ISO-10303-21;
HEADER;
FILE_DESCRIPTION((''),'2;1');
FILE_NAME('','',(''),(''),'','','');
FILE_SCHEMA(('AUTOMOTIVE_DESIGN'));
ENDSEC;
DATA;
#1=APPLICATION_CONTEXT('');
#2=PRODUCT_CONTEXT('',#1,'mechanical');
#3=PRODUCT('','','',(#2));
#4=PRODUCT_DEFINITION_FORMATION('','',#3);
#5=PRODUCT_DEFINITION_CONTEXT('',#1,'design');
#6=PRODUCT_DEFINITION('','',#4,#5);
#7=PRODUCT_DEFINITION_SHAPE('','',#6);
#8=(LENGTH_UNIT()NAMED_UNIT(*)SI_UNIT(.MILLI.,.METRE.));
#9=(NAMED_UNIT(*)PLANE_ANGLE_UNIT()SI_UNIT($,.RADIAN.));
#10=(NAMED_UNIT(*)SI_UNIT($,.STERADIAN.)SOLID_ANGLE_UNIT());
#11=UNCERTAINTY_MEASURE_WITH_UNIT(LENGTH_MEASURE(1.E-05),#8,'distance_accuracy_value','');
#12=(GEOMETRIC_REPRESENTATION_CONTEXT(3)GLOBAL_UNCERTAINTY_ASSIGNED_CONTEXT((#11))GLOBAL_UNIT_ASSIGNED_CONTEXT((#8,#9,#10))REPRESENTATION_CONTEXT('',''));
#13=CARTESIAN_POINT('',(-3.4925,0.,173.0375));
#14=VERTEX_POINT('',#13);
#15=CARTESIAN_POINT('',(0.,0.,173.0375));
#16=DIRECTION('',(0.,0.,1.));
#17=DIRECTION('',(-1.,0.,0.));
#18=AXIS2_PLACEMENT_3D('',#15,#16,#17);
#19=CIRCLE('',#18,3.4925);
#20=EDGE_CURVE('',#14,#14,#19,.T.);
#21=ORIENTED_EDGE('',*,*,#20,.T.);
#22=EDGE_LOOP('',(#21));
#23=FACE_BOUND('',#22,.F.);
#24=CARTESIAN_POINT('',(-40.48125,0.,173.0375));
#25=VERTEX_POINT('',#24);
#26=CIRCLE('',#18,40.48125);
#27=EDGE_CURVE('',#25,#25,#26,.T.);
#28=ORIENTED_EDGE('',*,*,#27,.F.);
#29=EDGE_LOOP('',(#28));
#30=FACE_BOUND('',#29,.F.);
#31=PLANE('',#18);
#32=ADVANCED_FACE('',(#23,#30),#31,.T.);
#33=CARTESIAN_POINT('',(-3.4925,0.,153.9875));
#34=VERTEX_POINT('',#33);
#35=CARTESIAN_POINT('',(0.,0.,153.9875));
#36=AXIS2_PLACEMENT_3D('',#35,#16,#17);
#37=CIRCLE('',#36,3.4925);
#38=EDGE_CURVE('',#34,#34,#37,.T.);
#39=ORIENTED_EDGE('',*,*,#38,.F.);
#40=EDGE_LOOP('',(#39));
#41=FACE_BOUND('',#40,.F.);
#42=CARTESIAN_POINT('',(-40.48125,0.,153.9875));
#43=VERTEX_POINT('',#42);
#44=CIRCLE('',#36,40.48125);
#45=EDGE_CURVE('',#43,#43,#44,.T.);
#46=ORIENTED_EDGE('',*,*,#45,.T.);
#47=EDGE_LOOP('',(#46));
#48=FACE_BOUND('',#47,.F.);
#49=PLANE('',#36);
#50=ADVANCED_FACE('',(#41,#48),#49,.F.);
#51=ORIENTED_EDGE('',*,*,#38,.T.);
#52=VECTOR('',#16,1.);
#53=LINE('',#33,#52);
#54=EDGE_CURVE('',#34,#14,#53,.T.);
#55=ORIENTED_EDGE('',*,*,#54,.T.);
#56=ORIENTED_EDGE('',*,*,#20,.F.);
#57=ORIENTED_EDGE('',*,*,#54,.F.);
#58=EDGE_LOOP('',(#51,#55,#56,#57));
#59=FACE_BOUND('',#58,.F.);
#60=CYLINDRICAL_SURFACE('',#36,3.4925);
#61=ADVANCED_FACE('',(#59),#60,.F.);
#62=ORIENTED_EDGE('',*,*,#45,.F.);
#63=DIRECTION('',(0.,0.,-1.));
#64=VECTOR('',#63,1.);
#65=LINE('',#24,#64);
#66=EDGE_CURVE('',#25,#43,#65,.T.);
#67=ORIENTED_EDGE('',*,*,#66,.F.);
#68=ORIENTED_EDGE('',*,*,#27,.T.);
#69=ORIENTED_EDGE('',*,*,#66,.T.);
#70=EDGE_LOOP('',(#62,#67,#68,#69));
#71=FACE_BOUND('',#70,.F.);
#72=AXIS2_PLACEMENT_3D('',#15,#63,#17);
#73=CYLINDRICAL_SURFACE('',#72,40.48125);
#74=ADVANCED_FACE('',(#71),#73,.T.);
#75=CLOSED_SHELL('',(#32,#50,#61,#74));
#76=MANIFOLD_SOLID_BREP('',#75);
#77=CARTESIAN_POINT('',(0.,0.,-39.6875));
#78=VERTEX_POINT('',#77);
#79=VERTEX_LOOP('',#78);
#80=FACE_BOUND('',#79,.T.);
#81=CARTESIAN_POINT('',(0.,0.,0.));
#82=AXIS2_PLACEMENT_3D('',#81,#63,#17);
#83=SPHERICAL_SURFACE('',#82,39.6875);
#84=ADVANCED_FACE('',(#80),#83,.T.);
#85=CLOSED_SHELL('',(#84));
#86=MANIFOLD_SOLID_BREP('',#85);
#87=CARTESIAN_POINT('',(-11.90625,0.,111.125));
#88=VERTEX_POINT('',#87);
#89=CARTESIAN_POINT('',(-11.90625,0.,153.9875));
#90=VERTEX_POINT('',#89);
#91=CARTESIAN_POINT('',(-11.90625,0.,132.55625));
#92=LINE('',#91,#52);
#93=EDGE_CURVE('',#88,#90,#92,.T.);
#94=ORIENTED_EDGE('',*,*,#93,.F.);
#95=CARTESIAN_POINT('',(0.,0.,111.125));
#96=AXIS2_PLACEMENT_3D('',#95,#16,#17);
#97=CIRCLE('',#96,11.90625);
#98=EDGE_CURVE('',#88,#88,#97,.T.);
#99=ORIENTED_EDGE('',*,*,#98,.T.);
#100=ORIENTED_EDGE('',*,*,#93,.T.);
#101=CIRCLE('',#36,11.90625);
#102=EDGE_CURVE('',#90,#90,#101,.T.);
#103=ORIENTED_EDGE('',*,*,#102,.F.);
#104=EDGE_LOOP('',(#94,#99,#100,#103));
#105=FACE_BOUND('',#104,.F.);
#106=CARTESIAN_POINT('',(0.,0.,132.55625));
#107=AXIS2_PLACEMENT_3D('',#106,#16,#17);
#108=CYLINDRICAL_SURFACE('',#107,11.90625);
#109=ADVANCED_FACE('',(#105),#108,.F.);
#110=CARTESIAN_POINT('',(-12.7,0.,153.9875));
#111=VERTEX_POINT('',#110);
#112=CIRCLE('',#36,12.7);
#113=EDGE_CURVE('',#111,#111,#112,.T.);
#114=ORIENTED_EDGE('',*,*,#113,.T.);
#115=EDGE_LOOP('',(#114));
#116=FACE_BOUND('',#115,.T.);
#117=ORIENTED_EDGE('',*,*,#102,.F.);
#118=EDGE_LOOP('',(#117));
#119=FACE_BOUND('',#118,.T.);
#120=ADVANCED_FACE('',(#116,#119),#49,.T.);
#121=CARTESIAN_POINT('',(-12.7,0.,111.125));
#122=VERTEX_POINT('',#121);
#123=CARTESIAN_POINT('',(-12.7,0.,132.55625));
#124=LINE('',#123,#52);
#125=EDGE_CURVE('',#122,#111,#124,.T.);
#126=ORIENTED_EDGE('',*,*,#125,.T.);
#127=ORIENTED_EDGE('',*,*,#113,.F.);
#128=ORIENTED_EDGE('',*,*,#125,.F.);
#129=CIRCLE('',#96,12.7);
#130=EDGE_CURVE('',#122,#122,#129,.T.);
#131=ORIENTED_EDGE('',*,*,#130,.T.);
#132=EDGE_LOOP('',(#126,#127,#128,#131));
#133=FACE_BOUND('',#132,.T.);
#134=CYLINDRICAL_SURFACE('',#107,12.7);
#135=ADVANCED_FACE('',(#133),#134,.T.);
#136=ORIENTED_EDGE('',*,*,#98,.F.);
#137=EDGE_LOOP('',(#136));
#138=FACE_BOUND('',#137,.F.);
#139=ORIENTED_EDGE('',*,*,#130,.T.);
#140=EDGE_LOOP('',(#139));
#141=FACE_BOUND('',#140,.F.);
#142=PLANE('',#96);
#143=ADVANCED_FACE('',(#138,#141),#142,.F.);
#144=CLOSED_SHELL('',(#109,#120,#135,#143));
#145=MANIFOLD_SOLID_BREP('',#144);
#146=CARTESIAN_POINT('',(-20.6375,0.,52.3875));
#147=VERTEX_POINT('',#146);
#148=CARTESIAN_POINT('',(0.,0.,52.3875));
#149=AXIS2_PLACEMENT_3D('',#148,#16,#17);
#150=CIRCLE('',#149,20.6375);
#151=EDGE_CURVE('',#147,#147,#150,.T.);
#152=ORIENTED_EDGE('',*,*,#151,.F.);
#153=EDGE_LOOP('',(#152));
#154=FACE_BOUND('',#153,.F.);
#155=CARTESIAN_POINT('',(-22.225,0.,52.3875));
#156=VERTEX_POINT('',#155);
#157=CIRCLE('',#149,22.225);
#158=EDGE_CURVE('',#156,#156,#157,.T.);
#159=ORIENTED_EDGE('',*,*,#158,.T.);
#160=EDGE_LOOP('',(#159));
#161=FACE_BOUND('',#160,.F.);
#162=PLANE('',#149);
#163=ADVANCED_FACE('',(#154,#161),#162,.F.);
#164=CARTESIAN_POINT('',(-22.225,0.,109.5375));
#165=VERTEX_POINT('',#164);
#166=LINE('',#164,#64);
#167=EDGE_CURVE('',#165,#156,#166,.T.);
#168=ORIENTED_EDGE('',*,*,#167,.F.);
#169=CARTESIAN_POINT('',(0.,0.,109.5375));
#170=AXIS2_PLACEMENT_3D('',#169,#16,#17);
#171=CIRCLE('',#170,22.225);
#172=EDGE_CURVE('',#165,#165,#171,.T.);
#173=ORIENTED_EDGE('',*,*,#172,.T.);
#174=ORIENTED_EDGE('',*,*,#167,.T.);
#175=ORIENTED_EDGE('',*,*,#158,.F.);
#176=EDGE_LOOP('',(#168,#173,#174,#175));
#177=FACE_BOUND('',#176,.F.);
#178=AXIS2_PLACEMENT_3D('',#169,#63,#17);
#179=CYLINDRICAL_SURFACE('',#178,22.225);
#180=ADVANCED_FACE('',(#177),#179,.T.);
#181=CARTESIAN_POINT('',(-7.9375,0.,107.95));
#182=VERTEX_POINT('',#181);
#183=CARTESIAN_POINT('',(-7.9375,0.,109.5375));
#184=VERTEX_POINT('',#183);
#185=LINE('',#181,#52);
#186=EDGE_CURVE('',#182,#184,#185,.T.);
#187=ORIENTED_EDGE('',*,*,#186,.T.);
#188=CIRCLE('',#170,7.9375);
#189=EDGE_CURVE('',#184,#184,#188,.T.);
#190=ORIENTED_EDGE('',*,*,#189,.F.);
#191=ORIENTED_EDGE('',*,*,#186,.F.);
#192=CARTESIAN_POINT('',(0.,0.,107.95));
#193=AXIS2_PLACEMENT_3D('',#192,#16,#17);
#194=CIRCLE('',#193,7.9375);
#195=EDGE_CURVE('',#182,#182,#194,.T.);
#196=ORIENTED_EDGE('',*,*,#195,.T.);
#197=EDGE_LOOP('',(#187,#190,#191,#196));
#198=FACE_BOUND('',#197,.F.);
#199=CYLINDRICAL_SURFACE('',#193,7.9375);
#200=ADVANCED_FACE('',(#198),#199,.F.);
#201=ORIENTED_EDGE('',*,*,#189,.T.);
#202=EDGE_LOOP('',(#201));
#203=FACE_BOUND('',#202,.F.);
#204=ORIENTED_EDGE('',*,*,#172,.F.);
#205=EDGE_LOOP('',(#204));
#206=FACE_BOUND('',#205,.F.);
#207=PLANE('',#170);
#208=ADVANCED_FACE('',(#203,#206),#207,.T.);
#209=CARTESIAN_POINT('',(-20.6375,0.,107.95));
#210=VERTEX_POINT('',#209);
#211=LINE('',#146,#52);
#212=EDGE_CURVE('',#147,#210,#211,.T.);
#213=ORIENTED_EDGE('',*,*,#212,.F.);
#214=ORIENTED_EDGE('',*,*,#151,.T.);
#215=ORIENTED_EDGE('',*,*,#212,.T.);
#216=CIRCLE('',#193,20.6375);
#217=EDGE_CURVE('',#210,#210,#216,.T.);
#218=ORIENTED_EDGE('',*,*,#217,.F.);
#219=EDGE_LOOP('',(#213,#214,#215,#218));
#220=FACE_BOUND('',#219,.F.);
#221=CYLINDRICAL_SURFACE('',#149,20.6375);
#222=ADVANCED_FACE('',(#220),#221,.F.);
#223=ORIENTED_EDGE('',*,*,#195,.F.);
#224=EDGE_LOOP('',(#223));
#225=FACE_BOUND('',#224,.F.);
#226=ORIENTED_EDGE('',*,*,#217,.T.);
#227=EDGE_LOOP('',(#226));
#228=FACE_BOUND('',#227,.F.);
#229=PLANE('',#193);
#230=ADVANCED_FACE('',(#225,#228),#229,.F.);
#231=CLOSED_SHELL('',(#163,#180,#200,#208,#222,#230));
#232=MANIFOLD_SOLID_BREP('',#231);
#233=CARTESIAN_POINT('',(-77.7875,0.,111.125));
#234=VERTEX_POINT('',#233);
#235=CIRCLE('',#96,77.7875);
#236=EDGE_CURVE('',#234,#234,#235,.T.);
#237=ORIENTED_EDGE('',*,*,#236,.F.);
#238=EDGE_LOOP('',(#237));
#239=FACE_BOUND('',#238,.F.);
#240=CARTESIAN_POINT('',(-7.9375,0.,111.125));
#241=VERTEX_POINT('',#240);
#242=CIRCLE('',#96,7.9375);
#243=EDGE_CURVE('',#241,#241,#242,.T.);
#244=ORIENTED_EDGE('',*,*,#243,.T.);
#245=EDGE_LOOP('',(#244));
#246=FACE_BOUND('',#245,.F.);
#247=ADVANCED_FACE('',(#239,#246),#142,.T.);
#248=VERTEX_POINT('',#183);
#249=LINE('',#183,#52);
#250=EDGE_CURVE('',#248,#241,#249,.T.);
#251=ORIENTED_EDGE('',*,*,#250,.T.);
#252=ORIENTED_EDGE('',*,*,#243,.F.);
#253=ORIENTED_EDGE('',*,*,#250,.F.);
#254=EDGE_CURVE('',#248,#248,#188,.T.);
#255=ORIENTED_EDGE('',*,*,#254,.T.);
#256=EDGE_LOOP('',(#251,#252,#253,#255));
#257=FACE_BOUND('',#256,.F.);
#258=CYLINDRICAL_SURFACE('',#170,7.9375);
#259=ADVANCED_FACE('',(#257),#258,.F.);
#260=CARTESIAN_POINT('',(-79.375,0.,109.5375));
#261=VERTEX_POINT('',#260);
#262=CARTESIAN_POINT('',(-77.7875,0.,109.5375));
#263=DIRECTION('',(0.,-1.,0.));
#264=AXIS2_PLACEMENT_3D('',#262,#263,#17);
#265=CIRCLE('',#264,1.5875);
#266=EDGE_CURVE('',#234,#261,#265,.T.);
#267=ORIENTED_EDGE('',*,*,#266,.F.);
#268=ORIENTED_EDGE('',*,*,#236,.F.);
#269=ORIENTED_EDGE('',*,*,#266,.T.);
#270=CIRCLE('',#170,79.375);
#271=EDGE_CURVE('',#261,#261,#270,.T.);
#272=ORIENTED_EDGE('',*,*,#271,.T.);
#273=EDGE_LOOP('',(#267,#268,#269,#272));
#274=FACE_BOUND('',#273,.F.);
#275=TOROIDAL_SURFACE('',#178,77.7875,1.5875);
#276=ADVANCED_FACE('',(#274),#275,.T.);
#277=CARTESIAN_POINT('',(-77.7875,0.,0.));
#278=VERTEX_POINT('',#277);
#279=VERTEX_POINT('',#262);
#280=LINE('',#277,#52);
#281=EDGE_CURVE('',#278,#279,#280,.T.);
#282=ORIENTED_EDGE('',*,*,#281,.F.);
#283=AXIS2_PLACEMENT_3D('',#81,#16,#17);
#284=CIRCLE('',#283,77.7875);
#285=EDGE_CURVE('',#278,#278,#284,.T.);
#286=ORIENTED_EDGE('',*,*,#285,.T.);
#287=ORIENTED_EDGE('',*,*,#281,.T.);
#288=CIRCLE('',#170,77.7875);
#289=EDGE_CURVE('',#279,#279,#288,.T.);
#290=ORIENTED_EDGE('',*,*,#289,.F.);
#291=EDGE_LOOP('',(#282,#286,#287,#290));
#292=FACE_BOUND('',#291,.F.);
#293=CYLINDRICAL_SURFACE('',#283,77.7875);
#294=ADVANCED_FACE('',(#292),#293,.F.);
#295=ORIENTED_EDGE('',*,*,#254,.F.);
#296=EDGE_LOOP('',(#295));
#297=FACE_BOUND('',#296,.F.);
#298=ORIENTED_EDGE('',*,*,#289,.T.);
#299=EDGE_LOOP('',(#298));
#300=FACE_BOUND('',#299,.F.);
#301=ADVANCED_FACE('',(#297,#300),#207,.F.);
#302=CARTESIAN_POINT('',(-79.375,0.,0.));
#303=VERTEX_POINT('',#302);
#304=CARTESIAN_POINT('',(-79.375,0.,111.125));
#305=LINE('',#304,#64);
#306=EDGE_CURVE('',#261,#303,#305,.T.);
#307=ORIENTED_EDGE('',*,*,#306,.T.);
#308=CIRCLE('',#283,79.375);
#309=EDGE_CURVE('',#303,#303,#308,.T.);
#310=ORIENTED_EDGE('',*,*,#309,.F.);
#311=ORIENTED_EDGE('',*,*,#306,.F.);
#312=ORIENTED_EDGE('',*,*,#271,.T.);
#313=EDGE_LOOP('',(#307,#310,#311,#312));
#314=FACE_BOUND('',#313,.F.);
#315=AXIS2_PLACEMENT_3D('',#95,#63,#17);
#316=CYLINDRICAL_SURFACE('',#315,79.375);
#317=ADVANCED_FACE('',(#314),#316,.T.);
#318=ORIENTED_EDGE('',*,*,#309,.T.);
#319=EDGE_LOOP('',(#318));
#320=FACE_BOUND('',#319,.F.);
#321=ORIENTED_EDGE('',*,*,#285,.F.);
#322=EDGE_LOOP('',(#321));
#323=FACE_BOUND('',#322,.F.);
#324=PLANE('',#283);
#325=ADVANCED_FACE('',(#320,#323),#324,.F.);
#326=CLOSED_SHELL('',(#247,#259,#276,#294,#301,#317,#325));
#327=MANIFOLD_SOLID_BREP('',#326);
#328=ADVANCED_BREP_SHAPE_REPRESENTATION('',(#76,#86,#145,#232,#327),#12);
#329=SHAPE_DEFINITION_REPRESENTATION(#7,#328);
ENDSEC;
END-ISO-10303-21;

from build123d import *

# Parameters (mm, degrees)
F3_R = 1.5875
F0_W = 0.79375
F0_H = 42.8625


with BuildPart() as f1:
    # F0 (on Front) → F1 (revolve)
    with BuildSketch(Plane.XZ):
        with BuildLine():
            Line((0, -39.6875), (0, 39.6875))
            ThreePointArc((0, 39.6875), (-39.6875, 0), (0, -39.6875))
        make_face()
    revolve(axis=Axis((0, 0, 0), (0, 0, -1)))


with BuildPart() as f2:
    # F0 (on Front) → F2 (revolve)
    with BuildSketch(Plane.XZ):
        Polygon((-79.375, 0), (-77.7875, 0), (-77.7875, 109.5375), (-22.225, 109.5375), (-7.9375, 109.5375), (-7.9375, 111.125), (-11.90625, 111.125), (-12.7, 111.125), (-79.375, 111.125), align=None)
    revolve(axis=Axis((0, 0, 61.009362), (0, 0, 1)))

    # F3
    f3_edges = [f2.edges().sort_by_distance(p)[0] for p in [
        (79.375, 0, 111.125),
    ]]
    fillet(f3_edges, radius=F3_R)


with BuildPart() as f4:
    # F0 (on Front) → F4 (revolve)
    with BuildSketch(Plane.XZ):
        Polygon((-7.9375, 109.5375), (-22.225, 109.5375), (-22.225, 52.3875), (-20.6375, 52.3875), (-20.6375, 107.95), (-7.9375, 107.95), align=None)
    revolve(axis=Axis((0, 0, 61.009362), (0, 0, 1)))


with BuildPart() as f5:
    # F0 (on Front) → F5 (revolve)
    with BuildSketch(Plane.XZ):
        with Locations((-12.303125, 132.55625)):
            Rectangle(F0_W, F0_H)
    revolve(axis=Axis((0, 0, 61.009362), (0, 0, 1)))


with BuildPart() as f6:
    # F0 (on Front) → F6 (revolve)
    with BuildSketch(Plane.XZ):
        Polygon((-40.48125, 153.9875), (-12.7, 153.9875), (-11.90625, 153.9875), (-3.4925, 153.9875), (-3.4925, 173.0375), (-40.48125, 173.0375), align=None)
    revolve(axis=Axis((0, 0, 61.009362), (0, 0, 1)))


solid = Compound([f1.part, f2.part, f4.part, f5.part, f6.part])
